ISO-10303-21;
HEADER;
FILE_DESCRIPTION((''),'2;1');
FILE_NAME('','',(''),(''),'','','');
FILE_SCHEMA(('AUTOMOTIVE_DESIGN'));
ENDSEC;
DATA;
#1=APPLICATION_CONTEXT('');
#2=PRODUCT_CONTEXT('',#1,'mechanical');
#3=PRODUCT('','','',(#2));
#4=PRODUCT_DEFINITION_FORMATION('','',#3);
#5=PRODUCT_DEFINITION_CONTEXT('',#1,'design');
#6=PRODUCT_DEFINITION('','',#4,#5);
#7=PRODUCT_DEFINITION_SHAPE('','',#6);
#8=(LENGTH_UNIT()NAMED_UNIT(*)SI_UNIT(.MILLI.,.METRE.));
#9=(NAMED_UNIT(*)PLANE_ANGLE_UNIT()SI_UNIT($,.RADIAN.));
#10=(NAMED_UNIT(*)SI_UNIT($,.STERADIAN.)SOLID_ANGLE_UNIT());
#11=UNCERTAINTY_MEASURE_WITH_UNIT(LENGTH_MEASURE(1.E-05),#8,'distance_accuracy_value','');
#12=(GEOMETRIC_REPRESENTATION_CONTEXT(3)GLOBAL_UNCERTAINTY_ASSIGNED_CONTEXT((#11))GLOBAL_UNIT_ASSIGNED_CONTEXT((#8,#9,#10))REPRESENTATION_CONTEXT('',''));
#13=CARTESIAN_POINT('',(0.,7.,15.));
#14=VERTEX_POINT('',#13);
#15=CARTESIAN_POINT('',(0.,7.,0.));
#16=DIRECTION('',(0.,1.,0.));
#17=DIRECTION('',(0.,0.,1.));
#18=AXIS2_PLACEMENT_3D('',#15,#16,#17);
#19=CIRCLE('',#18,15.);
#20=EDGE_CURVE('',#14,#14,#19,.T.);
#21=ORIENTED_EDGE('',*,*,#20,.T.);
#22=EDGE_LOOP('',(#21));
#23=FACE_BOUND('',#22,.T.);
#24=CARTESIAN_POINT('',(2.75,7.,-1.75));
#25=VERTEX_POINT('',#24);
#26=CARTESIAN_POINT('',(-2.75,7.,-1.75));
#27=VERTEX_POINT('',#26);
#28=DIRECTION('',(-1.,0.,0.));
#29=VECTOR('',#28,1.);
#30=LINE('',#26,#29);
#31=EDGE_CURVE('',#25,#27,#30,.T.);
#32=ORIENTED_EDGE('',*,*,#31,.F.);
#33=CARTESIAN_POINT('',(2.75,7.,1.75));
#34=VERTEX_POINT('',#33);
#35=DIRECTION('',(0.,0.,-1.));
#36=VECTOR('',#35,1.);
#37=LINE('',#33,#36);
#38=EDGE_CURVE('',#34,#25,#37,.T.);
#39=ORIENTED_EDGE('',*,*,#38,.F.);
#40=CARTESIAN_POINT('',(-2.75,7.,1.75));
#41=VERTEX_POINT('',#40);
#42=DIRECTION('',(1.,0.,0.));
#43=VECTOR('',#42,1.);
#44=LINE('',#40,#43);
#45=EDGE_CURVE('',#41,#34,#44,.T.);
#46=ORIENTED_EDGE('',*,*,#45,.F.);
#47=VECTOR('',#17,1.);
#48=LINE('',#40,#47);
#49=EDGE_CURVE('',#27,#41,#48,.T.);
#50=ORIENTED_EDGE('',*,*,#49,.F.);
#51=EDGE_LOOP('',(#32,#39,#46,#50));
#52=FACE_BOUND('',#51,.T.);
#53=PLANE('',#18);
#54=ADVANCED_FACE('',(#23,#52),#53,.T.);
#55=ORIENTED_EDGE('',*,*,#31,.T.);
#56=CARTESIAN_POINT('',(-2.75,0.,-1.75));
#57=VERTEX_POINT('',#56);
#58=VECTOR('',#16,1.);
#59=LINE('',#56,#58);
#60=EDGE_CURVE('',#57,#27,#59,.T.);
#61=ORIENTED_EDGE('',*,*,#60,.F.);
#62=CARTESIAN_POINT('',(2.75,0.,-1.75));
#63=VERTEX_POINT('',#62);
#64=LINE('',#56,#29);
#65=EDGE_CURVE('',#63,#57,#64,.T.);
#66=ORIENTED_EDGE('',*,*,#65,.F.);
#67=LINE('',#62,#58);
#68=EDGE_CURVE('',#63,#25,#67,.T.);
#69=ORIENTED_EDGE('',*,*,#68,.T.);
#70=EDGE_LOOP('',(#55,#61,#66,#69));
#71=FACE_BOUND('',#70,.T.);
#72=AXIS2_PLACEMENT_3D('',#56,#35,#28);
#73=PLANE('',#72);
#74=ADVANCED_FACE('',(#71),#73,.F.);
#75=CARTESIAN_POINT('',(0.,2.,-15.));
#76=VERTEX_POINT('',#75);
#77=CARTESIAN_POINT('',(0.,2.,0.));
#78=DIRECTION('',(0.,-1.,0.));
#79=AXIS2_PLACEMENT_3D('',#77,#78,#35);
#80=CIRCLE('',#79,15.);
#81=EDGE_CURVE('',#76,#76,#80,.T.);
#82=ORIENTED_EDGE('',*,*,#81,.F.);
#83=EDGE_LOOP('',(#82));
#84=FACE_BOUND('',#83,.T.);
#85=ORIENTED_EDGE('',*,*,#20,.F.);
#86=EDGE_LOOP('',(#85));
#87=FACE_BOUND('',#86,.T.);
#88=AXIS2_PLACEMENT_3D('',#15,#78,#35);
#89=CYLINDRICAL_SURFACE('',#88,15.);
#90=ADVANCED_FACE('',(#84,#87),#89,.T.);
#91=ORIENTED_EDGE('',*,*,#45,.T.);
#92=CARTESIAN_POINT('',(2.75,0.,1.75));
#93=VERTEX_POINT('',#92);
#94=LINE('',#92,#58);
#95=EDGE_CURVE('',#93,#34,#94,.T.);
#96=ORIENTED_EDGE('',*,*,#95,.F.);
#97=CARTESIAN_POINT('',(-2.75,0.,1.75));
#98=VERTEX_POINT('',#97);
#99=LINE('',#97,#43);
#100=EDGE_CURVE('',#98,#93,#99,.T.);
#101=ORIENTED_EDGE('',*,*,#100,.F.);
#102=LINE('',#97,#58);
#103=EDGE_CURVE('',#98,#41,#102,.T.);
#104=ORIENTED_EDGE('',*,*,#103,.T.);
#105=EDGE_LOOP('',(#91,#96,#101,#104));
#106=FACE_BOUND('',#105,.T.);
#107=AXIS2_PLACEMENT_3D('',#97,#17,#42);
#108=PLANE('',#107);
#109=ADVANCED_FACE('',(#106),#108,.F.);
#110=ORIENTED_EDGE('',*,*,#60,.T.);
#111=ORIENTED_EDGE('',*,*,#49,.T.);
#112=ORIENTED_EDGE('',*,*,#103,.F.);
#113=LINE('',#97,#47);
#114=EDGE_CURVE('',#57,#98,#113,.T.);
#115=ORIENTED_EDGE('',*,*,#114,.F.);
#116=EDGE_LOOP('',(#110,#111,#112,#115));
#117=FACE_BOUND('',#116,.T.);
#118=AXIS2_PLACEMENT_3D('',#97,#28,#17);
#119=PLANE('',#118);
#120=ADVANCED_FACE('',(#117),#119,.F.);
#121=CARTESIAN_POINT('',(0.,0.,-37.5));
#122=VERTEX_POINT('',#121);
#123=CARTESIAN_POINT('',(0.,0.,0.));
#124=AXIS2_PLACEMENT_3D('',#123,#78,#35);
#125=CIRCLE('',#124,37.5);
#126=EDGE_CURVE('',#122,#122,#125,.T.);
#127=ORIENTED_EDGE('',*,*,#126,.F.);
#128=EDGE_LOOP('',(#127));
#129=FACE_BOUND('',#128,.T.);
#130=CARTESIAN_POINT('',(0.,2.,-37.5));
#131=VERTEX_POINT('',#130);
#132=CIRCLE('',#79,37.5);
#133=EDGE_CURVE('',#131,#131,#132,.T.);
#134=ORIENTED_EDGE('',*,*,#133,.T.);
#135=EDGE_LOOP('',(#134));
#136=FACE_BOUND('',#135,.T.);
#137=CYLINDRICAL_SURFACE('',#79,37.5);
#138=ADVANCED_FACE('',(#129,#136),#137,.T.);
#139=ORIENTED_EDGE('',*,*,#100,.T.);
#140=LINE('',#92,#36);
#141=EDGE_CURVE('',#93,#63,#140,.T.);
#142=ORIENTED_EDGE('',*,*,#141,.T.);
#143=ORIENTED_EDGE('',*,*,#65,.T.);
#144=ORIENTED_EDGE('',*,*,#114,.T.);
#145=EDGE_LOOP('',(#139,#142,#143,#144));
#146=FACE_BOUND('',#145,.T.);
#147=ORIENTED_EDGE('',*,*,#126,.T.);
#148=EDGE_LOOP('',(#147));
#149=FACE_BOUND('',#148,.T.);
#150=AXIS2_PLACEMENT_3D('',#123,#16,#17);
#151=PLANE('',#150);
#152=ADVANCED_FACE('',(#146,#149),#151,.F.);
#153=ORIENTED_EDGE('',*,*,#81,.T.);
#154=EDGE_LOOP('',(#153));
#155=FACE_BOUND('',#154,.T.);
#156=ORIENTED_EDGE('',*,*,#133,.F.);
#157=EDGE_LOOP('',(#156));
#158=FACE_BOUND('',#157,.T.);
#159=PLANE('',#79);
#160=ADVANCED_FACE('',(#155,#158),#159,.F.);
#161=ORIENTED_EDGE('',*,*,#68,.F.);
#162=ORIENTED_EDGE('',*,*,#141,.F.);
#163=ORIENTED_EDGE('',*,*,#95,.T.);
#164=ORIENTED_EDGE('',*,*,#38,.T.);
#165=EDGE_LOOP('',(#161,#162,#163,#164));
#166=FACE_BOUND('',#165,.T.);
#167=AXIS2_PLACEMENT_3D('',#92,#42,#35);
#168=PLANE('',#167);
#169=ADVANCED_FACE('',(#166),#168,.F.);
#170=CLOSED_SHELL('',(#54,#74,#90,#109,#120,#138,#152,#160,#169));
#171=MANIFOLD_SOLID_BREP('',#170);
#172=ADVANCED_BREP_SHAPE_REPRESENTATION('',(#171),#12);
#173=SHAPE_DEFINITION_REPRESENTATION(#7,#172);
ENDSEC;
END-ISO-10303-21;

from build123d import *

# Parameters (mm, degrees)
SKETCH_1_R          = 15
EXTRUDE_1_DEPTH     = 7
SKETCH_2_W          = 5.5
SKETCH_2_H          = 3.5
CUT_EXTRUDE_1_DEPTH = 23.338307904
SKETCH_3_R          = 37.5
SKETCH_3_R_2        = 10.340446081
EXTRUDE_2_DEPTH     = 2


with BuildPart() as part:
    # 草图1 → 凸台-拉伸1 (new body)
    with BuildSketch(Plane(origin=(0, 0, 0), x_dir=(1, 0, 0), z_dir=(0, 1, 0))):
        with Locations(Location((0, 0, 0), (0, 0, 270))):
            Circle(SKETCH_1_R)
    extrude(amount=EXTRUDE_1_DEPTH)

    # 草图2 → 切除-拉伸1 (cut, through all)
    with BuildSketch(Plane(origin=(0, 7, 0), x_dir=(1, 0, 0), z_dir=(0, 1, 0))):
        Rectangle(SKETCH_2_W, SKETCH_2_H)
    extrude(amount=-CUT_EXTRUDE_1_DEPTH, mode=Mode.SUBTRACT)

    # 草图3 → 凸台-拉伸2 (add)
    with BuildSketch(Plane.XZ):
        with Locations(Location((0, 0, 0), (0, 0, 270))):
            Circle(SKETCH_3_R)
        Circle(SKETCH_3_R_2, mode=Mode.SUBTRACT)
    extrude(amount=-EXTRUDE_2_DEPTH)


solid = part.part
